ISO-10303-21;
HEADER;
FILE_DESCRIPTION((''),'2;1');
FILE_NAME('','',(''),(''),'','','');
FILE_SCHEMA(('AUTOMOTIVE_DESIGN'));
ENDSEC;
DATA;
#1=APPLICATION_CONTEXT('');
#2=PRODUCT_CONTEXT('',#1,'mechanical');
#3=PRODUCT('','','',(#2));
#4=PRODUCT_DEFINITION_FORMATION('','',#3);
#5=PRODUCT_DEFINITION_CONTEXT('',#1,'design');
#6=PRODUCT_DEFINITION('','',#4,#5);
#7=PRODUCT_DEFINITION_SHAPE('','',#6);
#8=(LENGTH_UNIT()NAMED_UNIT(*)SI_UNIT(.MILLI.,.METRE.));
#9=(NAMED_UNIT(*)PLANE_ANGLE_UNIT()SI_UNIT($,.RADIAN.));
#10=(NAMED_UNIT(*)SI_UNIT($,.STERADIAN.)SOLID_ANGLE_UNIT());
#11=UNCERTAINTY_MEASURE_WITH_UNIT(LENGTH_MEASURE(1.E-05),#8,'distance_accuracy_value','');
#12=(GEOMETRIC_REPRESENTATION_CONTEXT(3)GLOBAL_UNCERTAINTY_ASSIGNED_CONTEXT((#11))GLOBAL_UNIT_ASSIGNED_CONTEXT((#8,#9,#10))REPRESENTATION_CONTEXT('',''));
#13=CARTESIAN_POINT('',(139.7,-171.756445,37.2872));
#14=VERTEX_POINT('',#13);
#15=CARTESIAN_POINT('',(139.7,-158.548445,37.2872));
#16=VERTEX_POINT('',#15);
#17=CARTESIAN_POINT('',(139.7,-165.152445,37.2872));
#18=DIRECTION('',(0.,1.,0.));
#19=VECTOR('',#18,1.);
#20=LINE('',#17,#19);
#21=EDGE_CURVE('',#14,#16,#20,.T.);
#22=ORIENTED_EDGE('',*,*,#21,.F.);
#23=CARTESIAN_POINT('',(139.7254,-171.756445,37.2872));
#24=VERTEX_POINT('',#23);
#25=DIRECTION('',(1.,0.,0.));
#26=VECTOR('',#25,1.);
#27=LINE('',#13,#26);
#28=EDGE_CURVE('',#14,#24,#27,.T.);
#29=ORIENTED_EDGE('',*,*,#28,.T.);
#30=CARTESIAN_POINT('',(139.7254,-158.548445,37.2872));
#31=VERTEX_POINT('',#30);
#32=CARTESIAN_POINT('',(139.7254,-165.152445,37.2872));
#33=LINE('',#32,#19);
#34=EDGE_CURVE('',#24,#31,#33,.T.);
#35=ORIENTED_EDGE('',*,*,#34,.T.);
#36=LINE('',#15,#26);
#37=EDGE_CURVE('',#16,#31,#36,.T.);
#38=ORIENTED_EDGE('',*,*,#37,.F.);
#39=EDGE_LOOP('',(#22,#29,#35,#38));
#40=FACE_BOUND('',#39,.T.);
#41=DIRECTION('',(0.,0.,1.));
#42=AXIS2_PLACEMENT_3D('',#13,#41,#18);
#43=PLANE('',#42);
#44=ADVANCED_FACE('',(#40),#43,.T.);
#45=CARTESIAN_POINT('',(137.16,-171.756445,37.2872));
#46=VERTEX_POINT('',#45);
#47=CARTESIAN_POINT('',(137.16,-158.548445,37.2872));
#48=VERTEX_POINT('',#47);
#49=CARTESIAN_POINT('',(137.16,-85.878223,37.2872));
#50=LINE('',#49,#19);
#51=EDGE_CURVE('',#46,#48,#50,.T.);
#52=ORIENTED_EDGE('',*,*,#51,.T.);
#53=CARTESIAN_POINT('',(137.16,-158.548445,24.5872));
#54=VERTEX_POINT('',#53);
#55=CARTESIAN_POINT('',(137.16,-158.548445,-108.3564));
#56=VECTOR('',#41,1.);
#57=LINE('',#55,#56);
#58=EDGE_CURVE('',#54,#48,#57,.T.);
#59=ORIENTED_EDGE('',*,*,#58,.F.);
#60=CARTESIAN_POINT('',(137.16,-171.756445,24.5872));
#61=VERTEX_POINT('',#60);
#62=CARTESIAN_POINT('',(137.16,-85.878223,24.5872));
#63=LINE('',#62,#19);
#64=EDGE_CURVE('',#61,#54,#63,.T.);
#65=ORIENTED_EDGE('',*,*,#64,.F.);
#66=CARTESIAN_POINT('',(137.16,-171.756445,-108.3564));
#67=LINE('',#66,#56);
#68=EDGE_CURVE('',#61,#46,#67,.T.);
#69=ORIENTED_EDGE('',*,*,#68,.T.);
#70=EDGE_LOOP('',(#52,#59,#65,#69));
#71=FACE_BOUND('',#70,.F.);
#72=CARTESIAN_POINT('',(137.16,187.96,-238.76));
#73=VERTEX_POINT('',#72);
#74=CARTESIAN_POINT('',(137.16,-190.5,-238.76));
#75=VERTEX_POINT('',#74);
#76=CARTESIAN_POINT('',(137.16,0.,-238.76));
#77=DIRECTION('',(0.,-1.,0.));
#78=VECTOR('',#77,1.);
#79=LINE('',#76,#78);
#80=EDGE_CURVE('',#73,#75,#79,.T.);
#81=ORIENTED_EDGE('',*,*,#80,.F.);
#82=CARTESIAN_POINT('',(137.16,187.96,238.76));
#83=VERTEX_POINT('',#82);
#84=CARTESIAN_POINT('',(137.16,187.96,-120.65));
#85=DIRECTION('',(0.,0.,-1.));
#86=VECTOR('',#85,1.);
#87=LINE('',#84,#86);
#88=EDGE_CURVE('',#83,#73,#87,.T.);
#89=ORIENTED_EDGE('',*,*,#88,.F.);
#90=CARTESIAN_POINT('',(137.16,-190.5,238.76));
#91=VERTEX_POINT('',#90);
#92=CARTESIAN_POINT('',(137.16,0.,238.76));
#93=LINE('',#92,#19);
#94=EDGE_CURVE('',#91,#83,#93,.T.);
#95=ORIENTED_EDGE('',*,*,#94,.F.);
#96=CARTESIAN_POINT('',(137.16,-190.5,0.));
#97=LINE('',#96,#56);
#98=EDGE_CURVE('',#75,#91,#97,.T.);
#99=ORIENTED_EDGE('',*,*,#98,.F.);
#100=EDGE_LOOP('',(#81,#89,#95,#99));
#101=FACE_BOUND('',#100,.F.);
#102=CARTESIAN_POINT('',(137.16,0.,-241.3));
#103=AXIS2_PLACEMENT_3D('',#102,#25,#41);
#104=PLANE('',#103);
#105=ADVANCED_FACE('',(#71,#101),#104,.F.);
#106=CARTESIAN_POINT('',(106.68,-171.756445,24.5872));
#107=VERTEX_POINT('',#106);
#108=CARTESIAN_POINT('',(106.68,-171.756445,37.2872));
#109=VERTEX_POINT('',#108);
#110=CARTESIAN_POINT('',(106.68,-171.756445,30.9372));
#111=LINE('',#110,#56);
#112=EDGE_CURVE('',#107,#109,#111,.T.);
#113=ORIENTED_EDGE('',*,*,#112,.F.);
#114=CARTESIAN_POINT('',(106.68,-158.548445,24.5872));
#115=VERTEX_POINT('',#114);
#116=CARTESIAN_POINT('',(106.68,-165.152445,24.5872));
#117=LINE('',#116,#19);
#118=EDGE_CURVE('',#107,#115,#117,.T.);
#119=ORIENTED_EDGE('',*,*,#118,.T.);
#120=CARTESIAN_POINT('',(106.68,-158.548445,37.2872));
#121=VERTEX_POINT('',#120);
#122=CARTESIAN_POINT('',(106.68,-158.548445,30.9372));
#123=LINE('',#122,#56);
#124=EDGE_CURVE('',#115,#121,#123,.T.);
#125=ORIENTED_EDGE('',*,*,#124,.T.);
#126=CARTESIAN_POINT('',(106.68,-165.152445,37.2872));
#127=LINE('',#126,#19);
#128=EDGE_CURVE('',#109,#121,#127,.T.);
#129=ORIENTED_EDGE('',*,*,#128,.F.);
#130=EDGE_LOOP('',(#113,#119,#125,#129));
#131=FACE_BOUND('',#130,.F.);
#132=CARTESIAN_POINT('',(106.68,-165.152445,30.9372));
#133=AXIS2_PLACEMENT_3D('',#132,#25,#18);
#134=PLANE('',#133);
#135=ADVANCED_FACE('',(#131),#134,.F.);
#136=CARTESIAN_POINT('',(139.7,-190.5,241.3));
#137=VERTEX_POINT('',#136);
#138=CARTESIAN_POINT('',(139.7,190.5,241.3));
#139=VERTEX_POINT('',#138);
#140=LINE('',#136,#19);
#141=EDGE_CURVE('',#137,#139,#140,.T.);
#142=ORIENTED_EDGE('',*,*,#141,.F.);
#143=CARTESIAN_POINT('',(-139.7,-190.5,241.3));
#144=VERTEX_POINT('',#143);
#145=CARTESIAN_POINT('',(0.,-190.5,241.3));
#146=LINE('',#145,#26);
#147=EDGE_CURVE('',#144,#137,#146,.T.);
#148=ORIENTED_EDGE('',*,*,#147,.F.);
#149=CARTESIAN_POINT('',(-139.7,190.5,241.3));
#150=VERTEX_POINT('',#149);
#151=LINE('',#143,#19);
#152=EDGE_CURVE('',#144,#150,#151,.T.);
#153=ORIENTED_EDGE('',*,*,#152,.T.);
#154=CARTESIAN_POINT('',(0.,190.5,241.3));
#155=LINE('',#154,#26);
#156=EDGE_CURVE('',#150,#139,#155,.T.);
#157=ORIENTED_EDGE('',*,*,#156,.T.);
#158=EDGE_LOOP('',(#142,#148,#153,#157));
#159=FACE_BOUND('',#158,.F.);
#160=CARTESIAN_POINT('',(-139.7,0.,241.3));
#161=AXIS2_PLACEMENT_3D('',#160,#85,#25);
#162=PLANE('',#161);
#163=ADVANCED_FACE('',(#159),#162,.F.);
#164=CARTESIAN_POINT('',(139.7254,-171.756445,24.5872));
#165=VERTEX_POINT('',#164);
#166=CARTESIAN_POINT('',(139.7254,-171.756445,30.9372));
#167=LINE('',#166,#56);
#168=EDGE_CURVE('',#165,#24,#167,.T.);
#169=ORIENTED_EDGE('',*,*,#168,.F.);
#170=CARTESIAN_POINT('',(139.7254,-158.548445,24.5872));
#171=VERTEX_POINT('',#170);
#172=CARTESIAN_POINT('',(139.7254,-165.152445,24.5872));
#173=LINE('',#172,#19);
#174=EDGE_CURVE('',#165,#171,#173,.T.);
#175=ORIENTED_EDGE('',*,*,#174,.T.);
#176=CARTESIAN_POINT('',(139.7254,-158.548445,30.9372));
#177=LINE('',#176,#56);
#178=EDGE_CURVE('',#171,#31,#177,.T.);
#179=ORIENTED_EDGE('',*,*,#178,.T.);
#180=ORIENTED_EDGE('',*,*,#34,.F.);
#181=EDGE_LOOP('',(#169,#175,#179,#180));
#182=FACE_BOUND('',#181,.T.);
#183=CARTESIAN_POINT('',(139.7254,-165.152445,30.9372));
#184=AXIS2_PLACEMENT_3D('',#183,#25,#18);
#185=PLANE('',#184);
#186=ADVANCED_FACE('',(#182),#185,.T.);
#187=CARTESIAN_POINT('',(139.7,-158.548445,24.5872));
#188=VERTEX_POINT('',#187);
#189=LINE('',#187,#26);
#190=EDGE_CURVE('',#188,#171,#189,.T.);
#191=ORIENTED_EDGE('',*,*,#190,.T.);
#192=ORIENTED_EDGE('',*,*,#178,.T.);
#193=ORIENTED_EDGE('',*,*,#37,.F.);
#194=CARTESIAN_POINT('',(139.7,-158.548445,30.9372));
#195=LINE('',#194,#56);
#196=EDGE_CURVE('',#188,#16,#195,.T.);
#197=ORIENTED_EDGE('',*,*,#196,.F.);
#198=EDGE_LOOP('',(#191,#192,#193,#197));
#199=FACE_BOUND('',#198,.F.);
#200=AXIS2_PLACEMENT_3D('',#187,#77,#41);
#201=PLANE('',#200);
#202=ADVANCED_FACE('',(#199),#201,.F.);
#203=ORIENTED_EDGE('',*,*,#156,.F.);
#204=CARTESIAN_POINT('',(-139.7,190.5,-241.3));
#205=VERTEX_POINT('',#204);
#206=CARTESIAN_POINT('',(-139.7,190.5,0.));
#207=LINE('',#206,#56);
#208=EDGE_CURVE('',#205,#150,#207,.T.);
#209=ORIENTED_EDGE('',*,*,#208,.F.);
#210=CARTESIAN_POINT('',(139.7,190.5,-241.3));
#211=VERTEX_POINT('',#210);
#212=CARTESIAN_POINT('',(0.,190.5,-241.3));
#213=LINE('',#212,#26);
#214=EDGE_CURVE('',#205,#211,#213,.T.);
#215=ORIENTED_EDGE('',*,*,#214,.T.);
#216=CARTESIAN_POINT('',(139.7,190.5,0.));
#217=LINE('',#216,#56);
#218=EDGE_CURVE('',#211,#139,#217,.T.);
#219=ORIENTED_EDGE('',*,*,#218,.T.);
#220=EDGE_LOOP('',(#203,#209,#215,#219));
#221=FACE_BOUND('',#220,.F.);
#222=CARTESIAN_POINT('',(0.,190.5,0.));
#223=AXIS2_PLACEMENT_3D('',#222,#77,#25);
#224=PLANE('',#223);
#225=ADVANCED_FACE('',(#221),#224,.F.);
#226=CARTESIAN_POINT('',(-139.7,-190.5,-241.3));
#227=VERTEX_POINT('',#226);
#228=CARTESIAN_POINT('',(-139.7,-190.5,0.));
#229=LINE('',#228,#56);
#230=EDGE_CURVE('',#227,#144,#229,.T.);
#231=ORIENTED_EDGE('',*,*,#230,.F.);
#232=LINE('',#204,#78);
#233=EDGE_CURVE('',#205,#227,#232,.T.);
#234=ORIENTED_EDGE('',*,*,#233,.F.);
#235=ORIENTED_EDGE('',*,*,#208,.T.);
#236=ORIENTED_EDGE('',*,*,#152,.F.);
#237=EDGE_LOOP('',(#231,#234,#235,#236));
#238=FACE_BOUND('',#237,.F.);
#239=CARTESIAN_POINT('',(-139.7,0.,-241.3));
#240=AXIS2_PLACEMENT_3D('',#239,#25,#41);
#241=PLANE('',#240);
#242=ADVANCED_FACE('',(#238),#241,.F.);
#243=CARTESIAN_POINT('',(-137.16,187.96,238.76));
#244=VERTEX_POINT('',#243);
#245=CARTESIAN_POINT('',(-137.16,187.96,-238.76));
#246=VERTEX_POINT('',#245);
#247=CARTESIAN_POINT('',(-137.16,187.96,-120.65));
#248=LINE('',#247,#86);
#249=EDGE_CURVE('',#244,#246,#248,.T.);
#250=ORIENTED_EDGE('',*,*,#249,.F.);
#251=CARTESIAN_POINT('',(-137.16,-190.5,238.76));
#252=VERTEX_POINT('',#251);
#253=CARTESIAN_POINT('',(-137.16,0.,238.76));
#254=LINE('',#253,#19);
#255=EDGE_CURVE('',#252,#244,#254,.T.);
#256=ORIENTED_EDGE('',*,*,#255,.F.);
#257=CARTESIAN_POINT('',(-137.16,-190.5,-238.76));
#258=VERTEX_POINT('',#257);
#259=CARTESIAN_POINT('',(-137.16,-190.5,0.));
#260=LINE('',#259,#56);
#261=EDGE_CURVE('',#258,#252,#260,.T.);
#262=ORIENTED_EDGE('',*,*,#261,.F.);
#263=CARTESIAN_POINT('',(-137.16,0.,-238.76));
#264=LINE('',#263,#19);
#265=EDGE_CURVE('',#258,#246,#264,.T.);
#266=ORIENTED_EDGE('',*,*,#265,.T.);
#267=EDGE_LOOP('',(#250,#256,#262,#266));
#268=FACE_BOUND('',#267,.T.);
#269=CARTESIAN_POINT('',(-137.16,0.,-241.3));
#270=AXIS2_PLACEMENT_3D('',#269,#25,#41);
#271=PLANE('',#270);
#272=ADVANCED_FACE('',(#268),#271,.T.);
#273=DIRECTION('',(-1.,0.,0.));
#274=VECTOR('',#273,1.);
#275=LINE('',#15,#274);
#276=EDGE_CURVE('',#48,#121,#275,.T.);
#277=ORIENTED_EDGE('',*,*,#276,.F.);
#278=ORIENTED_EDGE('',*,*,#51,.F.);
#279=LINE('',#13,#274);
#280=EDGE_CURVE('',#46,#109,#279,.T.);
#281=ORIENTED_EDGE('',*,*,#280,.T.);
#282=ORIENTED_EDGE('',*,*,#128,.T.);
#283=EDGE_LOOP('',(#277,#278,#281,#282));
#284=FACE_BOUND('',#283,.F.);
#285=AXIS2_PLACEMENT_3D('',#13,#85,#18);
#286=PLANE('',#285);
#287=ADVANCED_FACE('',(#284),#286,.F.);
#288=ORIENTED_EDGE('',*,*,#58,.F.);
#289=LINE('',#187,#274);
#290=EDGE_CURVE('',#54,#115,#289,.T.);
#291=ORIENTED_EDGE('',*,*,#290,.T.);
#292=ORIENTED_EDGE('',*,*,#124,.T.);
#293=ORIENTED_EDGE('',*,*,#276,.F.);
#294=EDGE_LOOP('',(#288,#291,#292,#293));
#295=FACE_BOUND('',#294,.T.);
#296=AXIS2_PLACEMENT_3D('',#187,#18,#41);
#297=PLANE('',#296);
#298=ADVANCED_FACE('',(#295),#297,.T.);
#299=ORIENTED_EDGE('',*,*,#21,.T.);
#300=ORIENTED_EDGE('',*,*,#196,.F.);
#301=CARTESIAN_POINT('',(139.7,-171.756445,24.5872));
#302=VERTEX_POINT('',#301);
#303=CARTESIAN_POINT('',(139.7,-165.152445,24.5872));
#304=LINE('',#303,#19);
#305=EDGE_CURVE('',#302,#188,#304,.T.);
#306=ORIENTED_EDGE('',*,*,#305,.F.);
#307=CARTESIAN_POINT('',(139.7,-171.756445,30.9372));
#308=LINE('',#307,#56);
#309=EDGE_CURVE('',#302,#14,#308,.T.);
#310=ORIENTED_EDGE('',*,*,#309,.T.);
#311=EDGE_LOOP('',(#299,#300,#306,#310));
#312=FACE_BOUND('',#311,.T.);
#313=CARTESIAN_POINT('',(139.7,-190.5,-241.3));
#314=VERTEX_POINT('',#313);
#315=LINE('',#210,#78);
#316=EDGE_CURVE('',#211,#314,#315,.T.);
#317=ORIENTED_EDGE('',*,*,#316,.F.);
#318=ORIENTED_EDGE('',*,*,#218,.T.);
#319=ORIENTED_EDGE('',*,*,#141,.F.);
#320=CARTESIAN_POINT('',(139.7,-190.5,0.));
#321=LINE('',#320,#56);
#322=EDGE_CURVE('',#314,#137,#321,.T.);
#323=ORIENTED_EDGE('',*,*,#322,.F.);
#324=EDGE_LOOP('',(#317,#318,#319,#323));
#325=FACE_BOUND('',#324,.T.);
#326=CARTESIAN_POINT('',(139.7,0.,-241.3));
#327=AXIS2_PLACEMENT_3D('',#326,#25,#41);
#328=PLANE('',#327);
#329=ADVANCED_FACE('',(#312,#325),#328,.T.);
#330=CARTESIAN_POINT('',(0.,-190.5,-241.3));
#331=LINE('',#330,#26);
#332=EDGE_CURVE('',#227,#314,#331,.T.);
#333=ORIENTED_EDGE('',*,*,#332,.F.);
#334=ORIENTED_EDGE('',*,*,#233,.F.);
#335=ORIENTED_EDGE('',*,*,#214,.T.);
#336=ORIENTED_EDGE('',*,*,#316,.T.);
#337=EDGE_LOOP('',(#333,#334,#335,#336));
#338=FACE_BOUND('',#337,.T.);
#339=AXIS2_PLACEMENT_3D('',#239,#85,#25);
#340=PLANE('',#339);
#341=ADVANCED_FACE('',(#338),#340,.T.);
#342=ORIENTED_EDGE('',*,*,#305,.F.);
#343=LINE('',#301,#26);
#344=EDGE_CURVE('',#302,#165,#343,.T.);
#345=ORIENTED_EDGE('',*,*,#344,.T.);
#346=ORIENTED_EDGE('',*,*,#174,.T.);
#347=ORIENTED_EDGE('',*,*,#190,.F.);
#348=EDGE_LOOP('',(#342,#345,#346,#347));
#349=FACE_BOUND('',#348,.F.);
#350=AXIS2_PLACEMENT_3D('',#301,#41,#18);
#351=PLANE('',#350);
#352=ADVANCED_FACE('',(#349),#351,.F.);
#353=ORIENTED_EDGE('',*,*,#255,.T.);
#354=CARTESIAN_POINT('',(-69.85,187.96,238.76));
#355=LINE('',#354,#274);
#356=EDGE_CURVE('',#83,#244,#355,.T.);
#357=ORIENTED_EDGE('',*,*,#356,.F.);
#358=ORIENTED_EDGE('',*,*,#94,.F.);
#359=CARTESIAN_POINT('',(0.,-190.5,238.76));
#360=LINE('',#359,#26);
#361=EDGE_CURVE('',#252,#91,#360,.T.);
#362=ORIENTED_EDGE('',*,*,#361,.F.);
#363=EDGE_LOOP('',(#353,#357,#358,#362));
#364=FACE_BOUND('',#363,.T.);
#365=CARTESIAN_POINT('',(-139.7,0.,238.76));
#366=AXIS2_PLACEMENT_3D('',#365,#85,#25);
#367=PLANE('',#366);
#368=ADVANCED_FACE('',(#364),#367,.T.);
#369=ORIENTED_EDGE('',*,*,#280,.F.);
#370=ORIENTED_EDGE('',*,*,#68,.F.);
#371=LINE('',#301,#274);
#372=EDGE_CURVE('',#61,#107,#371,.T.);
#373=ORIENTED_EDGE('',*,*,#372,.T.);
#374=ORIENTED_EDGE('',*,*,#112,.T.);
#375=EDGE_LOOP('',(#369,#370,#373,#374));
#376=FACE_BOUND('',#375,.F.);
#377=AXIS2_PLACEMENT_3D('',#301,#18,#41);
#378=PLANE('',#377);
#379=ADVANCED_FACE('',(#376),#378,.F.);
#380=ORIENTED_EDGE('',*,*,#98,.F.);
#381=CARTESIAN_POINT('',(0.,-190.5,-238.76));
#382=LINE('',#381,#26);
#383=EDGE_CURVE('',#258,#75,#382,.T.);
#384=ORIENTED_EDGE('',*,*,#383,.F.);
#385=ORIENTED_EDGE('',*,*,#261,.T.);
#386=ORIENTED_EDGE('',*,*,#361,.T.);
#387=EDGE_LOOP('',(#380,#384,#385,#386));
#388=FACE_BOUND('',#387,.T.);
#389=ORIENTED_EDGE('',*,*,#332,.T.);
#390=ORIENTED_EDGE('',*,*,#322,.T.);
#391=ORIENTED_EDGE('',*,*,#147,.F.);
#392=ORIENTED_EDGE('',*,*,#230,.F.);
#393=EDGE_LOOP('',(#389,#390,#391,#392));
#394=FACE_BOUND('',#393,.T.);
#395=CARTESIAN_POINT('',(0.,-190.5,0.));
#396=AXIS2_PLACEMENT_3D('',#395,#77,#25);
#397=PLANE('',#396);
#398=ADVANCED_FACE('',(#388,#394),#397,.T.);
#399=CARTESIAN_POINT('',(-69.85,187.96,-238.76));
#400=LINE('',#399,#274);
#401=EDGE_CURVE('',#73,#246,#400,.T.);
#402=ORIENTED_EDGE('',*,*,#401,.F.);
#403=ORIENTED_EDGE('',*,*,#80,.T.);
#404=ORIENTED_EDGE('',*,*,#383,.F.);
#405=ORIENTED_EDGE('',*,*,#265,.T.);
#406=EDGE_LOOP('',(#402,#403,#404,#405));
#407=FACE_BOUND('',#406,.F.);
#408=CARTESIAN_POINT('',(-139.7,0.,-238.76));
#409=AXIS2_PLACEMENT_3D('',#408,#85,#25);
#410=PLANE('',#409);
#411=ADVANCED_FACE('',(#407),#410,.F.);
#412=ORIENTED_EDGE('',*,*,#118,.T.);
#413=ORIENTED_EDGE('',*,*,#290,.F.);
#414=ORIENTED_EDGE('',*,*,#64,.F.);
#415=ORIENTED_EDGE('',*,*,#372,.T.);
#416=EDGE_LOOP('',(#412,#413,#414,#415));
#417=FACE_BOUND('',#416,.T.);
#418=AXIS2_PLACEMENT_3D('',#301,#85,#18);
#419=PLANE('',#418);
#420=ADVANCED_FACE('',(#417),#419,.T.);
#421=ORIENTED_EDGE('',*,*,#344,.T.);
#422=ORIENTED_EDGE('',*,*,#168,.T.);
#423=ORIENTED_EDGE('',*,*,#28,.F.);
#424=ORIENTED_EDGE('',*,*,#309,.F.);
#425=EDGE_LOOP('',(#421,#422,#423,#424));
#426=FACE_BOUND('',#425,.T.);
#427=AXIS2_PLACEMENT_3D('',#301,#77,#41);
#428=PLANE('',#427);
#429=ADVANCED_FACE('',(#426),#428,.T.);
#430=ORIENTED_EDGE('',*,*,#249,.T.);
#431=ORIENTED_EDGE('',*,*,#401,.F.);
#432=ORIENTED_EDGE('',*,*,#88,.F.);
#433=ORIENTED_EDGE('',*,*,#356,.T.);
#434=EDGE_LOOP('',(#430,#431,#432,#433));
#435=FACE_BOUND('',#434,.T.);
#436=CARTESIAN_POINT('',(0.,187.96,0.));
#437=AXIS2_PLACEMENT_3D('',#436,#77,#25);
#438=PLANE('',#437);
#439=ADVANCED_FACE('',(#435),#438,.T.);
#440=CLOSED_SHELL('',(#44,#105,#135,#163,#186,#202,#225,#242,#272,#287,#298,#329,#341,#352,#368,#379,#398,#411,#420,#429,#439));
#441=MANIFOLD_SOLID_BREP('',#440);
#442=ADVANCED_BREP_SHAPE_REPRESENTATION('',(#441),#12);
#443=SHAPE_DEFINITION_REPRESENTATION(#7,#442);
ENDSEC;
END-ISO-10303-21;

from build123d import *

# Parameters (mm, degrees)
F0_W          = 279.4
F0_H          = 482.6
F1_DEPTH      = 190.5
F2_T          = -2.54
F3_W          = 13.208
F3_H          = 12.7
F4_DEPTH      = 0.0254
F4_DEPTH_BACK = 33.02


with BuildPart() as f1:
    # F0 (on Front) → F1 (new body, symmetric)
    with BuildSketch(Plane.XZ):
        Rectangle(F0_W, F0_H)
    extrude(amount=F1_DEPTH, both=True)

    # F2
    f2_openings = [f1.faces().sort_by_distance(p)[0] for p in [
        (0, -190.5, 0),
    ]]
    offset(amount=F2_T, openings=f2_openings)

    # F3 (on face) → F4 (join, two sides)
    with BuildSketch(Plane.YZ.offset(139.7)) as f4_sk:
        with Locations((-165.152445, 30.9372)):
            Rectangle(F3_W, F3_H)
    extrude(amount=F4_DEPTH)
    extrude(f4_sk.sketch, amount=-F4_DEPTH_BACK)


solid = f1.part
